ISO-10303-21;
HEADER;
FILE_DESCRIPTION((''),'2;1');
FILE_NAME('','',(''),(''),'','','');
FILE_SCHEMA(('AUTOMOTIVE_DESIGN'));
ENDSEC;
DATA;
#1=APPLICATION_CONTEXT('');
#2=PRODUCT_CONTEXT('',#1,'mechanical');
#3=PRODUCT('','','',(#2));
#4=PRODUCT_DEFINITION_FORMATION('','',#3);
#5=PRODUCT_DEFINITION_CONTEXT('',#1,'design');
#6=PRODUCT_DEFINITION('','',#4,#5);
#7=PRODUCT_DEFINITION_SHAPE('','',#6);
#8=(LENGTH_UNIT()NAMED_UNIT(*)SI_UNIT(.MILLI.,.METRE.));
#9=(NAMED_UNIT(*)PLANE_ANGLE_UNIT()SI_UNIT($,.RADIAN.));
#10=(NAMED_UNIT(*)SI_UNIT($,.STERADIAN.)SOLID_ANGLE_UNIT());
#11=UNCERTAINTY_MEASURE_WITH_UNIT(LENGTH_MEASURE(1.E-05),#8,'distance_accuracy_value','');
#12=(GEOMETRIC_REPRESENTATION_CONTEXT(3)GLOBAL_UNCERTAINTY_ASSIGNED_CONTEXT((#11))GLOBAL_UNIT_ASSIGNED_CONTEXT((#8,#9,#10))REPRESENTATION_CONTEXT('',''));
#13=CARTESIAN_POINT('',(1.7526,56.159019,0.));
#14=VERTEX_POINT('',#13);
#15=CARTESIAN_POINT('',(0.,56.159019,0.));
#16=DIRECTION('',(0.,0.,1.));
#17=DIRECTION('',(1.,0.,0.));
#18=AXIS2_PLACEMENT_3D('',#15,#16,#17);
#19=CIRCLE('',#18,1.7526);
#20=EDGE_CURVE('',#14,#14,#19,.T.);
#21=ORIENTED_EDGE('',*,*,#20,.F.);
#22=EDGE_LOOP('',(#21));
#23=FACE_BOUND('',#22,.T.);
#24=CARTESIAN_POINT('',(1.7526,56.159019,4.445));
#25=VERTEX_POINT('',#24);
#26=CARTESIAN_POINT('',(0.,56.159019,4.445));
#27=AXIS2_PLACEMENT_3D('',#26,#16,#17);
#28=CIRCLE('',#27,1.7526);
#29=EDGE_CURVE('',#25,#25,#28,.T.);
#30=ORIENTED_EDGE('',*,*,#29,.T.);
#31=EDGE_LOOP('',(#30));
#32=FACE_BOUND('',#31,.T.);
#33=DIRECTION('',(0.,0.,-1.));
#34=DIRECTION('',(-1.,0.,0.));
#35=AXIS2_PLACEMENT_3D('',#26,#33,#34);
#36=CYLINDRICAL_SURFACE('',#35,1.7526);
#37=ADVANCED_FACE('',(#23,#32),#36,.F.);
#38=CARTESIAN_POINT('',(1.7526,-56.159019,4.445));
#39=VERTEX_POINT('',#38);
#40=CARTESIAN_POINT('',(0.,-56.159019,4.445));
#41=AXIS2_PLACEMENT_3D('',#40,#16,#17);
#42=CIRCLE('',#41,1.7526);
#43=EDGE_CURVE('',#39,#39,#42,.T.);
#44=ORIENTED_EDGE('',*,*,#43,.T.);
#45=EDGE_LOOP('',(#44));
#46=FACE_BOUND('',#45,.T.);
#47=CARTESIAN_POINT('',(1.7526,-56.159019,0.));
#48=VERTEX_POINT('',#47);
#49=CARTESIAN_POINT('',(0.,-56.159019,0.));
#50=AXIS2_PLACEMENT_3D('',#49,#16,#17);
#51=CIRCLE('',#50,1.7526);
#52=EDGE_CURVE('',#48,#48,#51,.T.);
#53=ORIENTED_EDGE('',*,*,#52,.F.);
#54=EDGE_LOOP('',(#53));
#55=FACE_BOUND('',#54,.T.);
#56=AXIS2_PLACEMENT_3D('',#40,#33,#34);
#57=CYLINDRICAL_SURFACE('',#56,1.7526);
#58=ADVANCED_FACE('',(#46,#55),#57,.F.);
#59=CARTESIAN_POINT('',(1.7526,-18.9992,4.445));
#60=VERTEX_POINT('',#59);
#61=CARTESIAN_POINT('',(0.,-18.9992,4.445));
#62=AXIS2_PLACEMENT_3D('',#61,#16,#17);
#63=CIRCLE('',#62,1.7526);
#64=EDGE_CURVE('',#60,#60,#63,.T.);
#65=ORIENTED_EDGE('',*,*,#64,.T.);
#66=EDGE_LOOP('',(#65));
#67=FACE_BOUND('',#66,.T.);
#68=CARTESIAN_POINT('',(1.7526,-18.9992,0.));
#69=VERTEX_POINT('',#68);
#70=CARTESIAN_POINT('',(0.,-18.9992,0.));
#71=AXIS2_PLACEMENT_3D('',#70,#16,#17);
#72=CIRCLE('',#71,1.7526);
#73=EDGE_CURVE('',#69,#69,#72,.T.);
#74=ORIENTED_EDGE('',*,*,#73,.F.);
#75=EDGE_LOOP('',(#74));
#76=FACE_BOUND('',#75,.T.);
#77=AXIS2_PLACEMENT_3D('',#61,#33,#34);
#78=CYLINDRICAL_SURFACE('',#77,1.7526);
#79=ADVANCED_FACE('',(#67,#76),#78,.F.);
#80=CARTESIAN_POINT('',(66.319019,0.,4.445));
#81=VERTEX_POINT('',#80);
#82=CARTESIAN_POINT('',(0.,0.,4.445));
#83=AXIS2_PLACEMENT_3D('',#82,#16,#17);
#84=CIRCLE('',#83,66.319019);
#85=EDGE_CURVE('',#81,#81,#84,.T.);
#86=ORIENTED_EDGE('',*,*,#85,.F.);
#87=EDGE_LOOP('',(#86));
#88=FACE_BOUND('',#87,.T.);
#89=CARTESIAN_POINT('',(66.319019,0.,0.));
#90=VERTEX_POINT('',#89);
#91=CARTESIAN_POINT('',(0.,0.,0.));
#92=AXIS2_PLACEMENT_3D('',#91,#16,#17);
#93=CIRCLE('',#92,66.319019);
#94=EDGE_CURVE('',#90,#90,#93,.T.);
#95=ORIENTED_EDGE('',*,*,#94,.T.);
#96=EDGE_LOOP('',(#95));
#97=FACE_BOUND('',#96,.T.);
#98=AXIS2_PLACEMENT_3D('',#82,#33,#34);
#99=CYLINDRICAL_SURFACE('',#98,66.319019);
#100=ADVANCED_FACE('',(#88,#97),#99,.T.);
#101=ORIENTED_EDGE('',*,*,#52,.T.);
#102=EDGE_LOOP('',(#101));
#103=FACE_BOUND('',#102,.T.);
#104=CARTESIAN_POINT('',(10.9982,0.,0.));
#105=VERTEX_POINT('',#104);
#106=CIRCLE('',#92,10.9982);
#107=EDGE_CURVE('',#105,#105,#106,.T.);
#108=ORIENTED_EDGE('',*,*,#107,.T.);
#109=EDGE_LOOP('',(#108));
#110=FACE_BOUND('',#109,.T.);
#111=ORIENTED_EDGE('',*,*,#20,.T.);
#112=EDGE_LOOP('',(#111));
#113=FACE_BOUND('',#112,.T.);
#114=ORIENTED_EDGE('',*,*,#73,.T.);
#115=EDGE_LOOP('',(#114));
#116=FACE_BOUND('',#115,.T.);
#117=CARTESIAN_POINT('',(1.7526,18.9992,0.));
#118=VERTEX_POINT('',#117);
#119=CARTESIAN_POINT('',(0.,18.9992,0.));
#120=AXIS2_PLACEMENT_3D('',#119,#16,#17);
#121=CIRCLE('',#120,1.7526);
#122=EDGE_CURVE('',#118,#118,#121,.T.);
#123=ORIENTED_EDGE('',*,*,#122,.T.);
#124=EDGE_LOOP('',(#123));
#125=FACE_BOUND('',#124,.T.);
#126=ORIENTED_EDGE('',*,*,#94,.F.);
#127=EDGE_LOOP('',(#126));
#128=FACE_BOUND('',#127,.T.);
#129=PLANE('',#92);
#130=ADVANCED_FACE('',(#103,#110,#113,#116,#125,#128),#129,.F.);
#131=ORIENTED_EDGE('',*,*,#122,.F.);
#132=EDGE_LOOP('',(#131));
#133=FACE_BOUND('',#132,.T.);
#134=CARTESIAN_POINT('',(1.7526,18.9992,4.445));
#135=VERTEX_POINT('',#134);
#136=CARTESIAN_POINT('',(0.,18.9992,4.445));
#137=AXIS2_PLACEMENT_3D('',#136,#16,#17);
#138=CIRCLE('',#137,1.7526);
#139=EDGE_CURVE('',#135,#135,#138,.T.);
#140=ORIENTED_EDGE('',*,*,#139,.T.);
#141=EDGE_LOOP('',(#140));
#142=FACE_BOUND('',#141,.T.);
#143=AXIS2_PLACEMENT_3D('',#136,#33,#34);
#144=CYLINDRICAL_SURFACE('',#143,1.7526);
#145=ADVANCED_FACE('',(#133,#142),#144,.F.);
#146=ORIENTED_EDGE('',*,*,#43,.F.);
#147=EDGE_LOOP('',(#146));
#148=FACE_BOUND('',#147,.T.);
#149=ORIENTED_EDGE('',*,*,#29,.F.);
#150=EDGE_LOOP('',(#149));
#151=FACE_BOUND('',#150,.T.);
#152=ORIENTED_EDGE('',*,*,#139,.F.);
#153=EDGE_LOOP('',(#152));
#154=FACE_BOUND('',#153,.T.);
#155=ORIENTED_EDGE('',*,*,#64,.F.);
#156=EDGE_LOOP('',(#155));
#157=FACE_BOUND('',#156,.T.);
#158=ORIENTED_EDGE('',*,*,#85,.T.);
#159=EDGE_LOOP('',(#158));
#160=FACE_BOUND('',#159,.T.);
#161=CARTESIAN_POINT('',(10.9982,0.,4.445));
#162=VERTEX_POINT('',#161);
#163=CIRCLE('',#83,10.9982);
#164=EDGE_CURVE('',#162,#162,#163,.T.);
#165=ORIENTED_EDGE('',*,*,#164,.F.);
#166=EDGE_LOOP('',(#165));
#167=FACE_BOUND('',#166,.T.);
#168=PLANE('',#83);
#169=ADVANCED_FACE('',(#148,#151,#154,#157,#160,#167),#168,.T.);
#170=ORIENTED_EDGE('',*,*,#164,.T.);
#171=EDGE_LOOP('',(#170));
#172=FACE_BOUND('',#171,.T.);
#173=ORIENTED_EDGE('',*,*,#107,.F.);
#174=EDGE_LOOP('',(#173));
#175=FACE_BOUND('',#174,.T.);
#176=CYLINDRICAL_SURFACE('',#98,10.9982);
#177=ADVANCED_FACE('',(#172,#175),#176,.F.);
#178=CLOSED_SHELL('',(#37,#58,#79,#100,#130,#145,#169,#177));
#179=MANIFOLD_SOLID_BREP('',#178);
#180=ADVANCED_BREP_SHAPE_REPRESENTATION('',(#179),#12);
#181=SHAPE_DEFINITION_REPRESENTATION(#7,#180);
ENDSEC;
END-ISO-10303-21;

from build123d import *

# Parameters (mm, degrees)
SKETCH1_R           = 66.319019
SKETCH1_R_2         = 1.7526
SKETCH1_R_3         = 10.9982
BOSS_EXTRUDE1_DEPTH = 4.445


with BuildPart() as part:
    # Sketch1 → Boss-Extrude1 (new body)
    with BuildSketch(Plane.XY):
        Circle(SKETCH1_R)
        with Locations((0, 18.9992)):
            Circle(SKETCH1_R_2, mode=Mode.SUBTRACT)
        Circle(SKETCH1_R_3, mode=Mode.SUBTRACT)
        with Locations((0, -18.9992)):
            Circle(SKETCH1_R_2, mode=Mode.SUBTRACT)
        with Locations((0, 56.159019)):
            Circle(SKETCH1_R_2, mode=Mode.SUBTRACT)
        with Locations((0, -56.159019)):
            Circle(SKETCH1_R_2, mode=Mode.SUBTRACT)
    extrude(amount=BOSS_EXTRUDE1_DEPTH)


solid = part.part
